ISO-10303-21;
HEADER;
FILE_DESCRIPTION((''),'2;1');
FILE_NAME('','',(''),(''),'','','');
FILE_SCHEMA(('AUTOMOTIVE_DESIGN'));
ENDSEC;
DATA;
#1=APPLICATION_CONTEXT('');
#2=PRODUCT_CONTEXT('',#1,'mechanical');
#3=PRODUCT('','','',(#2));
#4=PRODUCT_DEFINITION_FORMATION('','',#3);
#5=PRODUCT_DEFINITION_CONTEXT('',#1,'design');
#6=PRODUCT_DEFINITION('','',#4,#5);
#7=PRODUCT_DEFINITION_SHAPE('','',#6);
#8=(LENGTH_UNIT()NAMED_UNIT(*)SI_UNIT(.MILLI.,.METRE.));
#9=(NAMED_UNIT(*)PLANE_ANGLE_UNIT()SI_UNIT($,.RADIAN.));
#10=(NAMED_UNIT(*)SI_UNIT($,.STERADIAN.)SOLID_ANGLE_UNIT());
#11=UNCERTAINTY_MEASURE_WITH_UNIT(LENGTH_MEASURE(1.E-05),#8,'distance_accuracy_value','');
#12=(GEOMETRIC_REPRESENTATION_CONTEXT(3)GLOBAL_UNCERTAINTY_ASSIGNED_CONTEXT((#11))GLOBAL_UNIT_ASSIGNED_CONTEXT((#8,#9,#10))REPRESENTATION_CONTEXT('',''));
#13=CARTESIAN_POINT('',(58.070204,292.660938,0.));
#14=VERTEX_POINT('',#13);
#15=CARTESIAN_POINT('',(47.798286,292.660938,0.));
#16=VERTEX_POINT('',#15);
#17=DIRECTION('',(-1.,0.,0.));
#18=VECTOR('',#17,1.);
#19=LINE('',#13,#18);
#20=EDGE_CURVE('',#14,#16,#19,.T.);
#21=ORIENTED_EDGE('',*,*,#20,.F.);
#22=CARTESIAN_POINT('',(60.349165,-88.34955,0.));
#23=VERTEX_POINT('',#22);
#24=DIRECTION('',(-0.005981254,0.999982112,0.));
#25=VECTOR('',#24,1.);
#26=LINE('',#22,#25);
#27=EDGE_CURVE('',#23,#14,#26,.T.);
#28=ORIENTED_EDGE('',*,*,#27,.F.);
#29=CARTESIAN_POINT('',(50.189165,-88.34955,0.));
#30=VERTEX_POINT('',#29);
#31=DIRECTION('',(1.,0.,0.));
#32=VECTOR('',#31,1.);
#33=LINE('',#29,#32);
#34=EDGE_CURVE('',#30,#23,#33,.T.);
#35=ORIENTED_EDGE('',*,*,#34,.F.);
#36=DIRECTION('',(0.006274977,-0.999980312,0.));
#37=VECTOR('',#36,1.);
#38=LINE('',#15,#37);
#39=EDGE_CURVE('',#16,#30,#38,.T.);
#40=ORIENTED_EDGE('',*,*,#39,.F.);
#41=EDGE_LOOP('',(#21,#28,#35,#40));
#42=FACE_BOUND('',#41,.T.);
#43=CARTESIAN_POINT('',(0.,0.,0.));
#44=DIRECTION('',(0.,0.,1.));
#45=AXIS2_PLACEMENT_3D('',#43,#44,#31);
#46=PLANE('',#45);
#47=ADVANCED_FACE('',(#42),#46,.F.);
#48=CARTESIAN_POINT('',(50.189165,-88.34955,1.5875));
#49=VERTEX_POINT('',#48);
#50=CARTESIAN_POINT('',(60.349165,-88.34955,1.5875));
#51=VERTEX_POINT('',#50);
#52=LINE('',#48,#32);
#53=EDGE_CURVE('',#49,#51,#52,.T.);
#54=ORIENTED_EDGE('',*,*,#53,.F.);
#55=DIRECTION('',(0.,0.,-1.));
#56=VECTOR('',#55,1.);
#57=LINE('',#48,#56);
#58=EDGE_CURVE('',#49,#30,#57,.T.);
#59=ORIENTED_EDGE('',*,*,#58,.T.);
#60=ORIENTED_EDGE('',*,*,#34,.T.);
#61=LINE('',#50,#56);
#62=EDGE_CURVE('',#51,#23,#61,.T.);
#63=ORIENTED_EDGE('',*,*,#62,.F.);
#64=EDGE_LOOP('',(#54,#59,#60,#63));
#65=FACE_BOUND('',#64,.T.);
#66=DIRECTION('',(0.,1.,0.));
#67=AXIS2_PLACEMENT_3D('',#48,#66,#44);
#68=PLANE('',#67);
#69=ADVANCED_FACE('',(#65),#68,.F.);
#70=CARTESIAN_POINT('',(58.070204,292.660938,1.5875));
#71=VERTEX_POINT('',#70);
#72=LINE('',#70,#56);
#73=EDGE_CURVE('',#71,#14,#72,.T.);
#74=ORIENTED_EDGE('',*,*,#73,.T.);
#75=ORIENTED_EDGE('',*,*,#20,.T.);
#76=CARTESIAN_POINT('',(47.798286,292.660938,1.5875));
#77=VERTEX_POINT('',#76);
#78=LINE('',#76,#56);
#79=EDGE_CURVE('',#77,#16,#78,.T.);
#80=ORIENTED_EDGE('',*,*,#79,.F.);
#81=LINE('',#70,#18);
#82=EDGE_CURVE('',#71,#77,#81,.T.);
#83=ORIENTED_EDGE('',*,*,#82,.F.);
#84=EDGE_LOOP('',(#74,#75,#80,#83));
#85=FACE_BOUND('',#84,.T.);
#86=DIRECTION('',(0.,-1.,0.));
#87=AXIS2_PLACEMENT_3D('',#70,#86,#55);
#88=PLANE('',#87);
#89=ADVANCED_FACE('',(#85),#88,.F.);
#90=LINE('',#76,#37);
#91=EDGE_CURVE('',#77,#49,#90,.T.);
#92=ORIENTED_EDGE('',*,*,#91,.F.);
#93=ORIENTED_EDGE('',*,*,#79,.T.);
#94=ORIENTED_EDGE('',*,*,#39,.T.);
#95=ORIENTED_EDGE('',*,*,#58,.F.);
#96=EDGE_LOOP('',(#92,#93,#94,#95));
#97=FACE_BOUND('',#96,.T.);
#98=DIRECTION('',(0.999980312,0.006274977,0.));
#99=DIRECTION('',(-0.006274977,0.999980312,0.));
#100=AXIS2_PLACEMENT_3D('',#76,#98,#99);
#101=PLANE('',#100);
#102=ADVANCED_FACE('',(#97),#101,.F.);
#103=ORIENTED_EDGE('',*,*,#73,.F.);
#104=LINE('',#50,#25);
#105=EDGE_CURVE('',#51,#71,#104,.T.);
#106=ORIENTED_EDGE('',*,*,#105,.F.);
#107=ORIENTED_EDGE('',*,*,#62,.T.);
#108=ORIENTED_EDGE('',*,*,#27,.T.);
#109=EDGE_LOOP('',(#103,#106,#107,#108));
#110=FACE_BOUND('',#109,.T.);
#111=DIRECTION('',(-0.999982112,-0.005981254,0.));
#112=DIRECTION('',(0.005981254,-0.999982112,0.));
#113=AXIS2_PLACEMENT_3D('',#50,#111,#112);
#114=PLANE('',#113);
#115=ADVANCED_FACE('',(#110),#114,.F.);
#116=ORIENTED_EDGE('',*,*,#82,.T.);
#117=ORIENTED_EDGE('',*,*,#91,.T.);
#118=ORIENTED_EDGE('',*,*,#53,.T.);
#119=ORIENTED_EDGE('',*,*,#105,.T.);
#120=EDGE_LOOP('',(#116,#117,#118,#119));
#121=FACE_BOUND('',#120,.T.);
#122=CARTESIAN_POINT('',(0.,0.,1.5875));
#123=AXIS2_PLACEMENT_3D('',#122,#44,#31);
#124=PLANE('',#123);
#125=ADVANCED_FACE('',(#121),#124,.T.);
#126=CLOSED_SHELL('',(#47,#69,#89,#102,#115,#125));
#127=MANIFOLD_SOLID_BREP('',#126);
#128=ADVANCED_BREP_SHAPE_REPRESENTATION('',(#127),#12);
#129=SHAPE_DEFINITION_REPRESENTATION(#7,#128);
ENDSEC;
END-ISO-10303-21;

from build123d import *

# Parameters (mm, degrees)
BOSS_EXTRUDE1_DEPTH = 1.5875


with BuildPart() as part:
    # Sketch1 → Boss-Extrude1 (new body)
    with BuildSketch(Plane.XY):
        Polygon((50.189165418, -88.349549943), (60.349165418, -88.349549943), (58.070204318, 292.660937796), (47.798286328, 292.660937796), align=None)
    extrude(amount=BOSS_EXTRUDE1_DEPTH)


solid = part.part
